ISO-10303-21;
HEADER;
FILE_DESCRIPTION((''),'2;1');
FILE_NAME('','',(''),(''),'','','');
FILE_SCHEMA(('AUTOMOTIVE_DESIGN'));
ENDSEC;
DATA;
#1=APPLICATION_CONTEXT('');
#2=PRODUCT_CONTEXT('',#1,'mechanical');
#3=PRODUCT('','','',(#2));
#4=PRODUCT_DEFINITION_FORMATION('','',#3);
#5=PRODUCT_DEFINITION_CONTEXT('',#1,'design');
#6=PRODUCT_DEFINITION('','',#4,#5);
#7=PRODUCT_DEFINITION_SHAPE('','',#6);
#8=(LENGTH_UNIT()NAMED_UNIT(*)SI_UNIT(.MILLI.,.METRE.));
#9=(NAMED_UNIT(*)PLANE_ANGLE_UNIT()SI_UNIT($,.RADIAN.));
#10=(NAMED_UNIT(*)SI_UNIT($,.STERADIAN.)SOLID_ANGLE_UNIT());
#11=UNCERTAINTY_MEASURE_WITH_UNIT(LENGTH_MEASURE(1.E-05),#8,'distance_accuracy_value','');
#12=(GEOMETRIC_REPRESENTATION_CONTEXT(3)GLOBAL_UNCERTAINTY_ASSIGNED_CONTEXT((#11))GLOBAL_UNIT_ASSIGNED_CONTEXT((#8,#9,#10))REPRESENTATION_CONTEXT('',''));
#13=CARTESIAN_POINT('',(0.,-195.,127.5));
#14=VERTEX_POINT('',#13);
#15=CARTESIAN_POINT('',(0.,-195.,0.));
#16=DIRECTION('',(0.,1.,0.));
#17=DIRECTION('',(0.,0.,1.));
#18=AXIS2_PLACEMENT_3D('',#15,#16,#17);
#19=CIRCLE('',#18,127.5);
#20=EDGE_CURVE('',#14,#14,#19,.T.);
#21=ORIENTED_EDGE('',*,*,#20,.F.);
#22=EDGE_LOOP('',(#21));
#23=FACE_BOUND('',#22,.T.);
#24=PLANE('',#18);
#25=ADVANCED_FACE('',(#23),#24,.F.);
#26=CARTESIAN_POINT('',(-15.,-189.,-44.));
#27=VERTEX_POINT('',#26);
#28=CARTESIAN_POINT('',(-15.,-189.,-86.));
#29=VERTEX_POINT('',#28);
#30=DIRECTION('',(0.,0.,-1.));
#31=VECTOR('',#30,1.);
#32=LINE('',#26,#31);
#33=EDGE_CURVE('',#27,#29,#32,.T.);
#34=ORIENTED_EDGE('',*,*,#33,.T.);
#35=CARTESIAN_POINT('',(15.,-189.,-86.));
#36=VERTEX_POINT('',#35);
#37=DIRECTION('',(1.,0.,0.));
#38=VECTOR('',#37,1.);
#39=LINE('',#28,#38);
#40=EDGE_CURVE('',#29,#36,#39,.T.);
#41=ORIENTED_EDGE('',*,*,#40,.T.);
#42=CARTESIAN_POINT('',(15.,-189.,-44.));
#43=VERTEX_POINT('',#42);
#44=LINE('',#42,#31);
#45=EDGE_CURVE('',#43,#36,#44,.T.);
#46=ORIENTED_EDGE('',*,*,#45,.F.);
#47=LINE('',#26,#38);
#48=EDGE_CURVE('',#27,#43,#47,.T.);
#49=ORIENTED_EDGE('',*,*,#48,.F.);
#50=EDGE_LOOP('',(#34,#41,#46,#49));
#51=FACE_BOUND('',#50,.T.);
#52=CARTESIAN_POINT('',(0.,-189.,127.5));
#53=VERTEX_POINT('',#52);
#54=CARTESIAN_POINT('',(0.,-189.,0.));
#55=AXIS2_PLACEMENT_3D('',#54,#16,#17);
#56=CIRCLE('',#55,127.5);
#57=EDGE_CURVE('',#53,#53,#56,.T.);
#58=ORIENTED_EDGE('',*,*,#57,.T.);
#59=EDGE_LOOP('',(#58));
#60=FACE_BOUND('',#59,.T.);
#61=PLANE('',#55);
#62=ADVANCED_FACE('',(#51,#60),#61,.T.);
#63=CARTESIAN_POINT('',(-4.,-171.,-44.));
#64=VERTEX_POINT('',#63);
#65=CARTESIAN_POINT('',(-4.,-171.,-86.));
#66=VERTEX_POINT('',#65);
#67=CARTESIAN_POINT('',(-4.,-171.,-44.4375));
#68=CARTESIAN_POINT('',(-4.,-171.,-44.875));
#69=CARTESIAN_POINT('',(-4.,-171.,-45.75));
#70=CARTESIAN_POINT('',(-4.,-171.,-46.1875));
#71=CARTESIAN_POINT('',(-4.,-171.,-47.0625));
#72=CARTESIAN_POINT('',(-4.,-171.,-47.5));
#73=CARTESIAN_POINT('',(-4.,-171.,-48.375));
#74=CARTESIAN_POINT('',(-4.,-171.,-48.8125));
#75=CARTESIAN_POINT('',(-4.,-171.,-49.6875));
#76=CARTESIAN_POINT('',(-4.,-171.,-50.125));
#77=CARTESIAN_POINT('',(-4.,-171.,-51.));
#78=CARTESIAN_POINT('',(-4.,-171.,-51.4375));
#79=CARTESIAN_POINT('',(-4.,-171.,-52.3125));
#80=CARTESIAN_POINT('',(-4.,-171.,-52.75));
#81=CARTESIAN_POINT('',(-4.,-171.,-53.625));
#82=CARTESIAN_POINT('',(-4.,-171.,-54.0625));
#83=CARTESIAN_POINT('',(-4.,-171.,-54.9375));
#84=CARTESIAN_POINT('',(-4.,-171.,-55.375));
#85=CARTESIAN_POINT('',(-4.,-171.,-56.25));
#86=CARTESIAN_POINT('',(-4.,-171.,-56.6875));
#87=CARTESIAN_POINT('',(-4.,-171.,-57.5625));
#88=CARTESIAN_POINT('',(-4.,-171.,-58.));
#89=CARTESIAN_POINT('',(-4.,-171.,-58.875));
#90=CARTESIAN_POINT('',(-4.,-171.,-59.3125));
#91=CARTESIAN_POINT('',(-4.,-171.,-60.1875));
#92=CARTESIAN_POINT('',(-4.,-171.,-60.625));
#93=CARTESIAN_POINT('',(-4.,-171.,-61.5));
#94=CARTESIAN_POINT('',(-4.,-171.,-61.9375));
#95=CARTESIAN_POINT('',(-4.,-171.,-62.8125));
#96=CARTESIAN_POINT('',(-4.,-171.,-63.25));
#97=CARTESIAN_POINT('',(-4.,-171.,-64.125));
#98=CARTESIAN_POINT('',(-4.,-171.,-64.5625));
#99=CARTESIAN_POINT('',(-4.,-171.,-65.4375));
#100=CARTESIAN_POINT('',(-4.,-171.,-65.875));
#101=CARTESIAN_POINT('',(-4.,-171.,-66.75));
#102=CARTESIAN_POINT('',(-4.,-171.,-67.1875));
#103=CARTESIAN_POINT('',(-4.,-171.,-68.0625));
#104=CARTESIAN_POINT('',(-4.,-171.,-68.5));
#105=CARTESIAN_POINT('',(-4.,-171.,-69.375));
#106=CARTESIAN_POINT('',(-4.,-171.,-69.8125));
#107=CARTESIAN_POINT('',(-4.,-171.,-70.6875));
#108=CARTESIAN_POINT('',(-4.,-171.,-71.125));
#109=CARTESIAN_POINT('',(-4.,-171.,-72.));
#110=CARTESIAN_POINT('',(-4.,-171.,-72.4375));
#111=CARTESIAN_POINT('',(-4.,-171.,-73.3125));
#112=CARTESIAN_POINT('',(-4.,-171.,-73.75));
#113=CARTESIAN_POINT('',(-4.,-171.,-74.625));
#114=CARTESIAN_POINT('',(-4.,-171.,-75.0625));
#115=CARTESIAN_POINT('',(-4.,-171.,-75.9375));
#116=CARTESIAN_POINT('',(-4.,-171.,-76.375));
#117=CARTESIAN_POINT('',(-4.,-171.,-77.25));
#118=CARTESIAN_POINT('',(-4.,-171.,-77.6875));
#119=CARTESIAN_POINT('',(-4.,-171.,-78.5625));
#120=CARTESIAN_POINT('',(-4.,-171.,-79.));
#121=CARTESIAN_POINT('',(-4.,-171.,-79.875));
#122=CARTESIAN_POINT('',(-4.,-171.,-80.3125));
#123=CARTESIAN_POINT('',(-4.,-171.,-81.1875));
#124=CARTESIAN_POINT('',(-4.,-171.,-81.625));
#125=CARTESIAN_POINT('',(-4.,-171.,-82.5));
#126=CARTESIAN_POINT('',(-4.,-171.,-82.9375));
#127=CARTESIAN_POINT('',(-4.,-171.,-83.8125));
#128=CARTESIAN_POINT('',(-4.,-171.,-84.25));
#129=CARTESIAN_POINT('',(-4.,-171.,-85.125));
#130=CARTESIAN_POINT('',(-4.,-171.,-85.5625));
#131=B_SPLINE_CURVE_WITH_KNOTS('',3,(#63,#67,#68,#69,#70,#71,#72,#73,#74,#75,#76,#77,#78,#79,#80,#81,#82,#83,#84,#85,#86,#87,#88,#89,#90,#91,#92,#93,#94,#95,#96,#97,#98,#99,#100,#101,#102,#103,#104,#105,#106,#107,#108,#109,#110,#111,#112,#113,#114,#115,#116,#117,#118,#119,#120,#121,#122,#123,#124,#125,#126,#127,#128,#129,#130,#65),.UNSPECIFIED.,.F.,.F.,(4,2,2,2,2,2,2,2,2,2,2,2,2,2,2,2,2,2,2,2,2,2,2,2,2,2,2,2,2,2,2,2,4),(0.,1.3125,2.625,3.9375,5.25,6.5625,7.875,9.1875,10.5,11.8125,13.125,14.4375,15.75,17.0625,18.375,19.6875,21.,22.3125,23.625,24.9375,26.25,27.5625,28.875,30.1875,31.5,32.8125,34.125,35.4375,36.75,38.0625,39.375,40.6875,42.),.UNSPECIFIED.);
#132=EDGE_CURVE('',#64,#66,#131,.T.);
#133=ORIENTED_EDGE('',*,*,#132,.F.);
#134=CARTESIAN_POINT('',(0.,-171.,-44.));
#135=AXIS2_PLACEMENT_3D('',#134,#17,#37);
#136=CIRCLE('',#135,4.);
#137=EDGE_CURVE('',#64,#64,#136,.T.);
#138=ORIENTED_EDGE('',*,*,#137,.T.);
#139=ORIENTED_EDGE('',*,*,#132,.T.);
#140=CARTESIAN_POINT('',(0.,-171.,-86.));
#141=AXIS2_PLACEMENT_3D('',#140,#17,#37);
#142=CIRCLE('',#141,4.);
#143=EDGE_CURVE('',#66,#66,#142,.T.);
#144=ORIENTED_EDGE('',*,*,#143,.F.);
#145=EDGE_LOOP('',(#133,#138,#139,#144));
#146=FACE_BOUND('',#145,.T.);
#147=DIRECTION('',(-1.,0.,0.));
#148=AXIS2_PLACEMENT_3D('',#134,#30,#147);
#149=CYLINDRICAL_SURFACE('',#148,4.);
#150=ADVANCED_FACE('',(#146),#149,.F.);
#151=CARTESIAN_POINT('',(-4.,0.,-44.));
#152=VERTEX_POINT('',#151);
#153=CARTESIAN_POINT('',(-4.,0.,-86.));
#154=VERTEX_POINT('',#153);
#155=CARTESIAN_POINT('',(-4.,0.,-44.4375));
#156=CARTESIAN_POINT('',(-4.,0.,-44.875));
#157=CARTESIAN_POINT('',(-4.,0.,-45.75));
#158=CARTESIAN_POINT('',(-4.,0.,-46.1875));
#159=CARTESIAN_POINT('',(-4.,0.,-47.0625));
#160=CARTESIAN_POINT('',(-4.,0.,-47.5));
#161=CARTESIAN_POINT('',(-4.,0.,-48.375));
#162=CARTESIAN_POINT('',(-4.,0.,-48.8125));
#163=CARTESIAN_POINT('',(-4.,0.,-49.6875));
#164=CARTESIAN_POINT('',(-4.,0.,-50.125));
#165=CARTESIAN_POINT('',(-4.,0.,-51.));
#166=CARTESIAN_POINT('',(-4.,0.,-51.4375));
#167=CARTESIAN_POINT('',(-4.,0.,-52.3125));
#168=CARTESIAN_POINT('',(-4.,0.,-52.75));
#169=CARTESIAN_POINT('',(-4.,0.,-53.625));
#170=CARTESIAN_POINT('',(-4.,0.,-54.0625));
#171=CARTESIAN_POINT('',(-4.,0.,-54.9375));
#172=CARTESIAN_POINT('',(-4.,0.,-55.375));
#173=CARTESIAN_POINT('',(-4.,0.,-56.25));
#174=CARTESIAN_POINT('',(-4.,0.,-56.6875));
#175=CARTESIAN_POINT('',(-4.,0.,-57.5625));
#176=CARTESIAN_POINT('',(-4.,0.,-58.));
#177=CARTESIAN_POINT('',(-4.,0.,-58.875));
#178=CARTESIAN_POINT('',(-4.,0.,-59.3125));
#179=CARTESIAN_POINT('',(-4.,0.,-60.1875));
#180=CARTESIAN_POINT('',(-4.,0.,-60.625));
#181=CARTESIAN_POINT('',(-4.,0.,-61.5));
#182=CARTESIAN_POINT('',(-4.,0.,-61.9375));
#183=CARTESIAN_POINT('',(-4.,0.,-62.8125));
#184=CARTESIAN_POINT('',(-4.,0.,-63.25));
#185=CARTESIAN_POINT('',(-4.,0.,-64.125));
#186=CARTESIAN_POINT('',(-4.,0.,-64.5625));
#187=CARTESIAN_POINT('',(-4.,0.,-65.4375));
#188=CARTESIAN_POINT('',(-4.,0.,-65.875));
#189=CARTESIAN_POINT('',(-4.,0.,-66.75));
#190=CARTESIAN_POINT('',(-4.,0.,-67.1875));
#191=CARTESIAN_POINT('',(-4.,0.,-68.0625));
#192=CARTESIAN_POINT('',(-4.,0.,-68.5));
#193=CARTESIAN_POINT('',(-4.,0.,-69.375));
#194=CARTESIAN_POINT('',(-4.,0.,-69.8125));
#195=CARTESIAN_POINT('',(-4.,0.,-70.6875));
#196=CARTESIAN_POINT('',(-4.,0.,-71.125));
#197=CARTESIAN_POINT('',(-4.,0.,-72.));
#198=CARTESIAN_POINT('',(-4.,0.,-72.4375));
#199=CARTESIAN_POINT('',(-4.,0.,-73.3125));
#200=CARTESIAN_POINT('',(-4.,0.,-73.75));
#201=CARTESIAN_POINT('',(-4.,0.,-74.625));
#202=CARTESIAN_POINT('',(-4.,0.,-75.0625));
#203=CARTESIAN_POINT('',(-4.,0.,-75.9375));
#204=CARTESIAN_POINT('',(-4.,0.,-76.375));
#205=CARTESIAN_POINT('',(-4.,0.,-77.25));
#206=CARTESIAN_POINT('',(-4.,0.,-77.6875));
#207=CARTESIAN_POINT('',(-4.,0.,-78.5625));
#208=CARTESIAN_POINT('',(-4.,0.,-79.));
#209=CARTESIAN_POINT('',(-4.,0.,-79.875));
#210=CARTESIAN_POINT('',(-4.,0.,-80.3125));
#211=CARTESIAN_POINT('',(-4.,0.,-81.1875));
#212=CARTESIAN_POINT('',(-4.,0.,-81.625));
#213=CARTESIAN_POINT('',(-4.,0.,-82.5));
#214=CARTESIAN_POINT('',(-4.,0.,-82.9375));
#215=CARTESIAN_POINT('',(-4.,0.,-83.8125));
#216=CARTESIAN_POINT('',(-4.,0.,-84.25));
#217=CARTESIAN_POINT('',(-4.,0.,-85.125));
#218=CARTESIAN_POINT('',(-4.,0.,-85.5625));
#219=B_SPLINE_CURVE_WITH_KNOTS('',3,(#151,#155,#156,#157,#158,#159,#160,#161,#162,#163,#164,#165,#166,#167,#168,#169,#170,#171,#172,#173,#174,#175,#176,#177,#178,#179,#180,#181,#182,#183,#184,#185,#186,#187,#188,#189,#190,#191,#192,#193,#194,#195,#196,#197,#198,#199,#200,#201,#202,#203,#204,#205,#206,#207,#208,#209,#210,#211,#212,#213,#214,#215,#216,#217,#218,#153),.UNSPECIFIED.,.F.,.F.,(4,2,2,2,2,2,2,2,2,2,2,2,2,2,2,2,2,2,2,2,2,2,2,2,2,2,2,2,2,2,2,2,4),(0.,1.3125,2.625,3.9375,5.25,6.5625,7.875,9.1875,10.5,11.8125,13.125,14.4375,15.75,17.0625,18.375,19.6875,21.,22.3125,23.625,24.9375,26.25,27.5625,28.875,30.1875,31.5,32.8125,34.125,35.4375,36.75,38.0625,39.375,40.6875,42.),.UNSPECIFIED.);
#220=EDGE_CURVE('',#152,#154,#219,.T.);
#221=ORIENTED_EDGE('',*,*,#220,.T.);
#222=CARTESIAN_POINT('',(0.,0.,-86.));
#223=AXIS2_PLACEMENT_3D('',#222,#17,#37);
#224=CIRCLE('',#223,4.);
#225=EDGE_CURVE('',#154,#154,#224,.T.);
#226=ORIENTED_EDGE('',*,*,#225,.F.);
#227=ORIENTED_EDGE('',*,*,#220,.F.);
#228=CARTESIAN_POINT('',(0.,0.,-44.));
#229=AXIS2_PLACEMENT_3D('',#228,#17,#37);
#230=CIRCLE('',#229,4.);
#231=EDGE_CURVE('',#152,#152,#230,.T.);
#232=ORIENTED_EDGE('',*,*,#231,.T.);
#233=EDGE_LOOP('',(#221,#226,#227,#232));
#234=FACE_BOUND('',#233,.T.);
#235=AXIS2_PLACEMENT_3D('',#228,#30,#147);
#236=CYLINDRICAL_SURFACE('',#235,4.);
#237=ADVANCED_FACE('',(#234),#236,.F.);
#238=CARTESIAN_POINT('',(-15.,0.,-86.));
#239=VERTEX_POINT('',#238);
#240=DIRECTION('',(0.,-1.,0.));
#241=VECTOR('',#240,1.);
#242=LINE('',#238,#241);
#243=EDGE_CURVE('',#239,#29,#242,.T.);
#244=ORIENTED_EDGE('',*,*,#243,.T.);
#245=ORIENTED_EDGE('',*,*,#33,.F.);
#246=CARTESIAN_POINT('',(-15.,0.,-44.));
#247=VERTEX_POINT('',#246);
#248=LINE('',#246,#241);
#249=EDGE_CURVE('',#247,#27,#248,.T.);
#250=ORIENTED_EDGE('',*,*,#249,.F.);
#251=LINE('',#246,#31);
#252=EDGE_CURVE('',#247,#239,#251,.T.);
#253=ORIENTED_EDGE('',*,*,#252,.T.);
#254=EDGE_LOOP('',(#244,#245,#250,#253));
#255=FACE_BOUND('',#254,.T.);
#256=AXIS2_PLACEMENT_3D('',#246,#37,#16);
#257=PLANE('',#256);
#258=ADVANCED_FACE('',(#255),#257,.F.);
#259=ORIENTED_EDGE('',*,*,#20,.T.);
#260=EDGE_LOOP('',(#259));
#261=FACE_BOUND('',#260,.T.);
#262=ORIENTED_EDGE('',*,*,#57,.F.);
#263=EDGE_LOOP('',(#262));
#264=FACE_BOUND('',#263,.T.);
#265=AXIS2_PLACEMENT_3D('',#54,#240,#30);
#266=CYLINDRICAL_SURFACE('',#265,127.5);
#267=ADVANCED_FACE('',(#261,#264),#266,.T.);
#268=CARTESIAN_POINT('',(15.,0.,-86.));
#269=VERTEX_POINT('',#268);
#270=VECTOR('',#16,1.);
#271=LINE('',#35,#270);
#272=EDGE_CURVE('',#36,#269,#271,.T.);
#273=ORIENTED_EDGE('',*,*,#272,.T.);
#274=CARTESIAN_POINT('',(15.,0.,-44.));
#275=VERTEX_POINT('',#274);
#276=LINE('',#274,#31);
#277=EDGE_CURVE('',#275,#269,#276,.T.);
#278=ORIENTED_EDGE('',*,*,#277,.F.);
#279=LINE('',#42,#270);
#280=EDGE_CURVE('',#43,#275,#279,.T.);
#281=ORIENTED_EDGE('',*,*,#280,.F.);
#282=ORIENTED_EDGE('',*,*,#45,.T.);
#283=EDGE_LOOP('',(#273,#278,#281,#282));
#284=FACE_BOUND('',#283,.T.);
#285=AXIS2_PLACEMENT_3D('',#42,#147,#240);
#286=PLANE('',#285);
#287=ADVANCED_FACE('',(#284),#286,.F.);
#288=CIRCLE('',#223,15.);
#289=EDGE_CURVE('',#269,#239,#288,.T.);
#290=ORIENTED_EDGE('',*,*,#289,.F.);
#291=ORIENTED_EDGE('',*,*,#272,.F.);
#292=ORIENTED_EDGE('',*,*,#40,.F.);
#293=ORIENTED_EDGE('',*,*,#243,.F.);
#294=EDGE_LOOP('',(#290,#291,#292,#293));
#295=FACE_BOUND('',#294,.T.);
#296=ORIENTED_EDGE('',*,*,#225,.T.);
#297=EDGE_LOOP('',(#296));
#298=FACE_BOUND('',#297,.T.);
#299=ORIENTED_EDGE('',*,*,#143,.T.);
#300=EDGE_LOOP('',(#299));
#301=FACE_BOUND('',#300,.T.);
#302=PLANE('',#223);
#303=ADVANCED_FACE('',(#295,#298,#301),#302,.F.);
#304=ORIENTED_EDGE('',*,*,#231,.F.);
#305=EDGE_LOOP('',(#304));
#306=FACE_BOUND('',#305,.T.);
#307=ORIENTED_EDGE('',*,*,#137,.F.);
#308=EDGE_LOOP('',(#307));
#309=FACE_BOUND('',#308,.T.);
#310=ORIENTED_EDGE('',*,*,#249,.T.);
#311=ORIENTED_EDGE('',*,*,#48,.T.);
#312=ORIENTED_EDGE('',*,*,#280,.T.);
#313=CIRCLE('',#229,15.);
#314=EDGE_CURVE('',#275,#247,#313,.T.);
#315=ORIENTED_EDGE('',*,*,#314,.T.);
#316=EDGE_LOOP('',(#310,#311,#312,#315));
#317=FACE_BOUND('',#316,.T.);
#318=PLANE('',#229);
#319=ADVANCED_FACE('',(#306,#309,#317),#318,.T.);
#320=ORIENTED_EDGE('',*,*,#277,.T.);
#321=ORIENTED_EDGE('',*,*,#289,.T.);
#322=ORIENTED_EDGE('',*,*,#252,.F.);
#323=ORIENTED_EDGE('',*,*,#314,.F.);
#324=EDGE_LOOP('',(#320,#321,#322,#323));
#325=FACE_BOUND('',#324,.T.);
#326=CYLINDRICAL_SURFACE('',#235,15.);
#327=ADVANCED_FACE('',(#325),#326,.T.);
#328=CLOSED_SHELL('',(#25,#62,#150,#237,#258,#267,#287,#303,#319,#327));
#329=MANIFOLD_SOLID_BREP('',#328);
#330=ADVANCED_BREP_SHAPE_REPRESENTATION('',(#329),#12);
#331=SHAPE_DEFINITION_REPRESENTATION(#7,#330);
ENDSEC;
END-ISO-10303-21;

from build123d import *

# Parameters (mm, degrees)
BOSS_EXTRUDE1_START = -195
SKETCH1_R           = 127.5
BOSS_EXTRUDE1_DEPTH = 6
BOSS_EXTRUDE2_START = -65
SKETCH2_R           = 4
BOSS_EXTRUDE2_DEPTH = 21


with BuildPart() as part:
    # Sketch1 → Boss-Extrude1 (new body)
    with BuildSketch(Plane(origin=(0, 0, 0), x_dir=(1, 0, 0), z_dir=(0, 1, 0)).offset(BOSS_EXTRUDE1_START)):
        with Locations(Location((0, 0, 0), (0, 0, 270))):
            Circle(SKETCH1_R)
    extrude(amount=BOSS_EXTRUDE1_DEPTH)

    # Sketch2 → Boss-Extrude2 (add, symmetric)
    with BuildSketch(Plane.XY.offset(BOSS_EXTRUDE2_START)):
        with BuildLine():
            Line((-15, 0), (-15, -189))
            Line((-15, -189), (15, -189))
            Line((15, -189), (15, 0))
            ThreePointArc((15, 0), (0, 15), (-15, 0))
        make_face()
        with Locations(Location((0, 0, 0), (0, 0, 180))):
            Circle(SKETCH2_R, mode=Mode.SUBTRACT)
        with Locations(Location((0, -171, 0), (0, 0, 180))):
            Circle(SKETCH2_R, mode=Mode.SUBTRACT)
    extrude(amount=BOSS_EXTRUDE2_DEPTH, both=True)


solid = part.part
